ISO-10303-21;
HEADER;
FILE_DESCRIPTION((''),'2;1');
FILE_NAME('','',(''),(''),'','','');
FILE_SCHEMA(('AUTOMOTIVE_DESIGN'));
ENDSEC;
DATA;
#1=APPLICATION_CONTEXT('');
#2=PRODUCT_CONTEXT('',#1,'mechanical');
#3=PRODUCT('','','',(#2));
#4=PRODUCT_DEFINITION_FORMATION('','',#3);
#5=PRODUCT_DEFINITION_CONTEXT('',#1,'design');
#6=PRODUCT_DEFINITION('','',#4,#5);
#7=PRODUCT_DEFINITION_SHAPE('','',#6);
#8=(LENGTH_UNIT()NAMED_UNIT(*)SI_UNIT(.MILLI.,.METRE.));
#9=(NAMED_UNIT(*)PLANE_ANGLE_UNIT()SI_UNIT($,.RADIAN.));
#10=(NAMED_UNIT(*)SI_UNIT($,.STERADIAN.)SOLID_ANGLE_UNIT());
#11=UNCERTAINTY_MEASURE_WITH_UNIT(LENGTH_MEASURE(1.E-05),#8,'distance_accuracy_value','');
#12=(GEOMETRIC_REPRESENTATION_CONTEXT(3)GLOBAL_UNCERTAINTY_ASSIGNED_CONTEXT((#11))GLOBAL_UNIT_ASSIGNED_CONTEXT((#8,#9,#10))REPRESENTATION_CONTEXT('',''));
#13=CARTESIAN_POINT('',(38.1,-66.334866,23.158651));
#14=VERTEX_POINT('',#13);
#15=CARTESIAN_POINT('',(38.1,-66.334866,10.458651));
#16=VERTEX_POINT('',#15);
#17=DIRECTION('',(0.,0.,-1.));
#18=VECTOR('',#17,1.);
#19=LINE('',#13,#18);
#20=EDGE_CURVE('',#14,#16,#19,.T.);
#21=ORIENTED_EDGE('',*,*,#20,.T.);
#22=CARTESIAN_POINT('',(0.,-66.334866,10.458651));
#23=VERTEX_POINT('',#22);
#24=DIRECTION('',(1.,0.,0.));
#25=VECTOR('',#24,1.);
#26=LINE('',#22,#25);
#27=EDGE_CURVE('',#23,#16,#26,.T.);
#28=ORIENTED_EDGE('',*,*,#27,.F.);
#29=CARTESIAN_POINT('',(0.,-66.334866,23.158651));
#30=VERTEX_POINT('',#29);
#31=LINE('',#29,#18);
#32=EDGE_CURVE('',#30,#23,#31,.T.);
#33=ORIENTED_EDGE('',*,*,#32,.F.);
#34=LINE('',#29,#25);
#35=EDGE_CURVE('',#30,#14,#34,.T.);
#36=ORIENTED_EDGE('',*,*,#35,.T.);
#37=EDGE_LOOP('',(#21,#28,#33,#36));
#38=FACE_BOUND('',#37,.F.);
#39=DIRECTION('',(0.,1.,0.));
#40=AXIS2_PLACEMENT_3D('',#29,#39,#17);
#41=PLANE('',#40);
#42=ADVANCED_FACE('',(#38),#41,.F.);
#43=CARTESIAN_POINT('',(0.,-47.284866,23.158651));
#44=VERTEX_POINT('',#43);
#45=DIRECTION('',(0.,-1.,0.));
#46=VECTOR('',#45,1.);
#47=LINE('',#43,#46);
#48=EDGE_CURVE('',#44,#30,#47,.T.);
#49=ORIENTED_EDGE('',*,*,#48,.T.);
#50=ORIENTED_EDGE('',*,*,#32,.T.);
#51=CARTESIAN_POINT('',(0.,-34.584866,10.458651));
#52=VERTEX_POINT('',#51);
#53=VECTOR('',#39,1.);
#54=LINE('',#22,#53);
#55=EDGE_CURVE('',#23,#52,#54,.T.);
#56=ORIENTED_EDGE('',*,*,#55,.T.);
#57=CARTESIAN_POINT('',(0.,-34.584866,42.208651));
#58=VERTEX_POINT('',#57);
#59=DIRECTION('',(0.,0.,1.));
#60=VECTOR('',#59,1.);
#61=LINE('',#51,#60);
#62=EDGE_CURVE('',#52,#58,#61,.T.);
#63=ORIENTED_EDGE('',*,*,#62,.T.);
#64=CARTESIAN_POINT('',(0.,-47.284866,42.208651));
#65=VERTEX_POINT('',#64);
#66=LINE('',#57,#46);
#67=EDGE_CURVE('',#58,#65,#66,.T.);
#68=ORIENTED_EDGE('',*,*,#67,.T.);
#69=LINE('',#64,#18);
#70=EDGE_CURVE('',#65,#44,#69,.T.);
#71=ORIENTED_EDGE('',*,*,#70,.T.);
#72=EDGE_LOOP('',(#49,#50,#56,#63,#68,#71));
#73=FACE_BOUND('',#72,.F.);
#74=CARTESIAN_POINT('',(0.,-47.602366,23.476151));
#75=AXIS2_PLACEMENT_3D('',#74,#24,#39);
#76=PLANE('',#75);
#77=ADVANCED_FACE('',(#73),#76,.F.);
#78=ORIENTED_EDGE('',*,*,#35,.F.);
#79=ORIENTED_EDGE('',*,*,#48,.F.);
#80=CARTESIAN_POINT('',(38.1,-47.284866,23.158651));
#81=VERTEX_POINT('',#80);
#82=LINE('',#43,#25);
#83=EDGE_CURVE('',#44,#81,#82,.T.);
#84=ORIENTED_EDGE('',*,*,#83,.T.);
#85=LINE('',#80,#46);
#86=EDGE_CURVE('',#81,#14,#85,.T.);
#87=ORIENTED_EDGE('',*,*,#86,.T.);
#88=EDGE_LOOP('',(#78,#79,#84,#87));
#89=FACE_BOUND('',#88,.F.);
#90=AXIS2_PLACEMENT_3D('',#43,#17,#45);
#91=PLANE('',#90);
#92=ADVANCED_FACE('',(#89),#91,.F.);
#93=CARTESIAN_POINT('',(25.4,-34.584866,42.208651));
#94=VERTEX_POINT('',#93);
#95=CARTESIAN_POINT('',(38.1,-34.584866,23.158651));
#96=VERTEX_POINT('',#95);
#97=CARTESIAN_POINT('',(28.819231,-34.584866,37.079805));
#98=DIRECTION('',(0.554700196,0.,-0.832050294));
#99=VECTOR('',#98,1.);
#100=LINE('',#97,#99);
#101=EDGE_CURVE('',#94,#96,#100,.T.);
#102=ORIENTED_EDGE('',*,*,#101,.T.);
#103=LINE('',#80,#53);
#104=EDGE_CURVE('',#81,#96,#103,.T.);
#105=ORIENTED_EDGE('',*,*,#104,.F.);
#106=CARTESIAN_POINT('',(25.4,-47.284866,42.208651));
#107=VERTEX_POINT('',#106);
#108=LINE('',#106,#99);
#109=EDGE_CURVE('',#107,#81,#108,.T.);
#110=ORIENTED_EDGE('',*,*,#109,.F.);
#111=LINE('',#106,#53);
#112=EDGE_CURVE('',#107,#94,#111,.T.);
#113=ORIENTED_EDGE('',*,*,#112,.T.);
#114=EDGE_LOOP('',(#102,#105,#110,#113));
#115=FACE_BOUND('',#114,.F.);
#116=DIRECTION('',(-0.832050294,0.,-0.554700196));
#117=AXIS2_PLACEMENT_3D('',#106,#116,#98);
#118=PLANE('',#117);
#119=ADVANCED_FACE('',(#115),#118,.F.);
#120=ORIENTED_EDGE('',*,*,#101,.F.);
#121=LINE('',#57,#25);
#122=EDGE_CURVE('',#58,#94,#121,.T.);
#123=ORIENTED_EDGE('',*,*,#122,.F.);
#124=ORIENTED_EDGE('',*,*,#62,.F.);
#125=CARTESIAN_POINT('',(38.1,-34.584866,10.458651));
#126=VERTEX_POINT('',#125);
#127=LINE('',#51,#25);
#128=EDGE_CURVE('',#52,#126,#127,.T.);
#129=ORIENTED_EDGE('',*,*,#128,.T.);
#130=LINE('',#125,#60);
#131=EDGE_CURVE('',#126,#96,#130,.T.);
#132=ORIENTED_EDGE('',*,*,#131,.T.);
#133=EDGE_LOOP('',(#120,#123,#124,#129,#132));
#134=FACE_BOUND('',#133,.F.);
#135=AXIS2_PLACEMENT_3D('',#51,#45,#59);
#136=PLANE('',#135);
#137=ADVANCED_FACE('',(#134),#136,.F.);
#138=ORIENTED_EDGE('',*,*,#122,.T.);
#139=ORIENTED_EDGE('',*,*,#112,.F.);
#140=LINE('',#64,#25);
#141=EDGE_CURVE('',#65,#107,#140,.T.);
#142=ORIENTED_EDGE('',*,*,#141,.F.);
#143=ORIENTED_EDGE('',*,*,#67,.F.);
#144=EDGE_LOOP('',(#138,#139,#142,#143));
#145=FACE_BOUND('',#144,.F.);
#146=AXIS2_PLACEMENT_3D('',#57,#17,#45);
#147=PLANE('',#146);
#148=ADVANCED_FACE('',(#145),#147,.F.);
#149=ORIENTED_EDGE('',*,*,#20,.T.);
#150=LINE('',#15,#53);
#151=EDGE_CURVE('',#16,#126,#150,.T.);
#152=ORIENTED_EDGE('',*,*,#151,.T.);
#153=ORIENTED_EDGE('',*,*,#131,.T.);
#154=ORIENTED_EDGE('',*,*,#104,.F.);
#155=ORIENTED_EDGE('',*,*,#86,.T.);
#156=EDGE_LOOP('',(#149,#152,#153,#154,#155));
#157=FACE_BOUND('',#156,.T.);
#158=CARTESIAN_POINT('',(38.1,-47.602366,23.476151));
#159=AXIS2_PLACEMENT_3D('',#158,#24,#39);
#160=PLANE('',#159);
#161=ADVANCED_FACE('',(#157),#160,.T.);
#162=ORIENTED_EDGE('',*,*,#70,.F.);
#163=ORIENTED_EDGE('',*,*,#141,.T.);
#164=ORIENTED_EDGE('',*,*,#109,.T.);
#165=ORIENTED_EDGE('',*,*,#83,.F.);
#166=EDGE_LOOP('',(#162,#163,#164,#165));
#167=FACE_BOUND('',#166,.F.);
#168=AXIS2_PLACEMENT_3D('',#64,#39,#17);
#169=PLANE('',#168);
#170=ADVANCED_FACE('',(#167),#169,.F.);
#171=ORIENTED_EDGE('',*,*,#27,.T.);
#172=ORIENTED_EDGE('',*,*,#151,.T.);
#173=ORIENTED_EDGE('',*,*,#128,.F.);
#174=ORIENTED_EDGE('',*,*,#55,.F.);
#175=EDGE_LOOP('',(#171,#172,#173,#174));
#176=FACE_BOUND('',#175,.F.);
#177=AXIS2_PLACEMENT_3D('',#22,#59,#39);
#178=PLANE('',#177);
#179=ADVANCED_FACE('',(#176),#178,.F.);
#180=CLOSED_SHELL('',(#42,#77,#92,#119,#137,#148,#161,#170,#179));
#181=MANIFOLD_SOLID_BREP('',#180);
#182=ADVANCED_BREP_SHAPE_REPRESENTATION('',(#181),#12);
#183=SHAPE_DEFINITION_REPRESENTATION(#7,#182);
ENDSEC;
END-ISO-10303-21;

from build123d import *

# Parameters (mm, degrees)
F1_DEPTH = 38.1
F3_DEPTH = 25.4


with BuildPart() as f1:
    # F0 (on Right) → F1 (new body)
    with BuildSketch(Plane.YZ):
        Polygon((-34.584866, 42.208651), (-47.284866, 42.208651), (-47.284866, 23.158651), (-66.334866, 23.158651), (-66.334866, 10.458651), (-34.584866, 10.458651), align=None)
    extrude(amount=F1_DEPTH)

    # F2 (on face) → F3 (cut)
    with BuildSketch(Plane.XZ.offset(47.284866)):
        Polygon((38.1, 42.208651), (25.4, 42.208651), (38.1, 23.158651), align=None)
    extrude(amount=-F3_DEPTH, mode=Mode.SUBTRACT)


solid = f1.part
